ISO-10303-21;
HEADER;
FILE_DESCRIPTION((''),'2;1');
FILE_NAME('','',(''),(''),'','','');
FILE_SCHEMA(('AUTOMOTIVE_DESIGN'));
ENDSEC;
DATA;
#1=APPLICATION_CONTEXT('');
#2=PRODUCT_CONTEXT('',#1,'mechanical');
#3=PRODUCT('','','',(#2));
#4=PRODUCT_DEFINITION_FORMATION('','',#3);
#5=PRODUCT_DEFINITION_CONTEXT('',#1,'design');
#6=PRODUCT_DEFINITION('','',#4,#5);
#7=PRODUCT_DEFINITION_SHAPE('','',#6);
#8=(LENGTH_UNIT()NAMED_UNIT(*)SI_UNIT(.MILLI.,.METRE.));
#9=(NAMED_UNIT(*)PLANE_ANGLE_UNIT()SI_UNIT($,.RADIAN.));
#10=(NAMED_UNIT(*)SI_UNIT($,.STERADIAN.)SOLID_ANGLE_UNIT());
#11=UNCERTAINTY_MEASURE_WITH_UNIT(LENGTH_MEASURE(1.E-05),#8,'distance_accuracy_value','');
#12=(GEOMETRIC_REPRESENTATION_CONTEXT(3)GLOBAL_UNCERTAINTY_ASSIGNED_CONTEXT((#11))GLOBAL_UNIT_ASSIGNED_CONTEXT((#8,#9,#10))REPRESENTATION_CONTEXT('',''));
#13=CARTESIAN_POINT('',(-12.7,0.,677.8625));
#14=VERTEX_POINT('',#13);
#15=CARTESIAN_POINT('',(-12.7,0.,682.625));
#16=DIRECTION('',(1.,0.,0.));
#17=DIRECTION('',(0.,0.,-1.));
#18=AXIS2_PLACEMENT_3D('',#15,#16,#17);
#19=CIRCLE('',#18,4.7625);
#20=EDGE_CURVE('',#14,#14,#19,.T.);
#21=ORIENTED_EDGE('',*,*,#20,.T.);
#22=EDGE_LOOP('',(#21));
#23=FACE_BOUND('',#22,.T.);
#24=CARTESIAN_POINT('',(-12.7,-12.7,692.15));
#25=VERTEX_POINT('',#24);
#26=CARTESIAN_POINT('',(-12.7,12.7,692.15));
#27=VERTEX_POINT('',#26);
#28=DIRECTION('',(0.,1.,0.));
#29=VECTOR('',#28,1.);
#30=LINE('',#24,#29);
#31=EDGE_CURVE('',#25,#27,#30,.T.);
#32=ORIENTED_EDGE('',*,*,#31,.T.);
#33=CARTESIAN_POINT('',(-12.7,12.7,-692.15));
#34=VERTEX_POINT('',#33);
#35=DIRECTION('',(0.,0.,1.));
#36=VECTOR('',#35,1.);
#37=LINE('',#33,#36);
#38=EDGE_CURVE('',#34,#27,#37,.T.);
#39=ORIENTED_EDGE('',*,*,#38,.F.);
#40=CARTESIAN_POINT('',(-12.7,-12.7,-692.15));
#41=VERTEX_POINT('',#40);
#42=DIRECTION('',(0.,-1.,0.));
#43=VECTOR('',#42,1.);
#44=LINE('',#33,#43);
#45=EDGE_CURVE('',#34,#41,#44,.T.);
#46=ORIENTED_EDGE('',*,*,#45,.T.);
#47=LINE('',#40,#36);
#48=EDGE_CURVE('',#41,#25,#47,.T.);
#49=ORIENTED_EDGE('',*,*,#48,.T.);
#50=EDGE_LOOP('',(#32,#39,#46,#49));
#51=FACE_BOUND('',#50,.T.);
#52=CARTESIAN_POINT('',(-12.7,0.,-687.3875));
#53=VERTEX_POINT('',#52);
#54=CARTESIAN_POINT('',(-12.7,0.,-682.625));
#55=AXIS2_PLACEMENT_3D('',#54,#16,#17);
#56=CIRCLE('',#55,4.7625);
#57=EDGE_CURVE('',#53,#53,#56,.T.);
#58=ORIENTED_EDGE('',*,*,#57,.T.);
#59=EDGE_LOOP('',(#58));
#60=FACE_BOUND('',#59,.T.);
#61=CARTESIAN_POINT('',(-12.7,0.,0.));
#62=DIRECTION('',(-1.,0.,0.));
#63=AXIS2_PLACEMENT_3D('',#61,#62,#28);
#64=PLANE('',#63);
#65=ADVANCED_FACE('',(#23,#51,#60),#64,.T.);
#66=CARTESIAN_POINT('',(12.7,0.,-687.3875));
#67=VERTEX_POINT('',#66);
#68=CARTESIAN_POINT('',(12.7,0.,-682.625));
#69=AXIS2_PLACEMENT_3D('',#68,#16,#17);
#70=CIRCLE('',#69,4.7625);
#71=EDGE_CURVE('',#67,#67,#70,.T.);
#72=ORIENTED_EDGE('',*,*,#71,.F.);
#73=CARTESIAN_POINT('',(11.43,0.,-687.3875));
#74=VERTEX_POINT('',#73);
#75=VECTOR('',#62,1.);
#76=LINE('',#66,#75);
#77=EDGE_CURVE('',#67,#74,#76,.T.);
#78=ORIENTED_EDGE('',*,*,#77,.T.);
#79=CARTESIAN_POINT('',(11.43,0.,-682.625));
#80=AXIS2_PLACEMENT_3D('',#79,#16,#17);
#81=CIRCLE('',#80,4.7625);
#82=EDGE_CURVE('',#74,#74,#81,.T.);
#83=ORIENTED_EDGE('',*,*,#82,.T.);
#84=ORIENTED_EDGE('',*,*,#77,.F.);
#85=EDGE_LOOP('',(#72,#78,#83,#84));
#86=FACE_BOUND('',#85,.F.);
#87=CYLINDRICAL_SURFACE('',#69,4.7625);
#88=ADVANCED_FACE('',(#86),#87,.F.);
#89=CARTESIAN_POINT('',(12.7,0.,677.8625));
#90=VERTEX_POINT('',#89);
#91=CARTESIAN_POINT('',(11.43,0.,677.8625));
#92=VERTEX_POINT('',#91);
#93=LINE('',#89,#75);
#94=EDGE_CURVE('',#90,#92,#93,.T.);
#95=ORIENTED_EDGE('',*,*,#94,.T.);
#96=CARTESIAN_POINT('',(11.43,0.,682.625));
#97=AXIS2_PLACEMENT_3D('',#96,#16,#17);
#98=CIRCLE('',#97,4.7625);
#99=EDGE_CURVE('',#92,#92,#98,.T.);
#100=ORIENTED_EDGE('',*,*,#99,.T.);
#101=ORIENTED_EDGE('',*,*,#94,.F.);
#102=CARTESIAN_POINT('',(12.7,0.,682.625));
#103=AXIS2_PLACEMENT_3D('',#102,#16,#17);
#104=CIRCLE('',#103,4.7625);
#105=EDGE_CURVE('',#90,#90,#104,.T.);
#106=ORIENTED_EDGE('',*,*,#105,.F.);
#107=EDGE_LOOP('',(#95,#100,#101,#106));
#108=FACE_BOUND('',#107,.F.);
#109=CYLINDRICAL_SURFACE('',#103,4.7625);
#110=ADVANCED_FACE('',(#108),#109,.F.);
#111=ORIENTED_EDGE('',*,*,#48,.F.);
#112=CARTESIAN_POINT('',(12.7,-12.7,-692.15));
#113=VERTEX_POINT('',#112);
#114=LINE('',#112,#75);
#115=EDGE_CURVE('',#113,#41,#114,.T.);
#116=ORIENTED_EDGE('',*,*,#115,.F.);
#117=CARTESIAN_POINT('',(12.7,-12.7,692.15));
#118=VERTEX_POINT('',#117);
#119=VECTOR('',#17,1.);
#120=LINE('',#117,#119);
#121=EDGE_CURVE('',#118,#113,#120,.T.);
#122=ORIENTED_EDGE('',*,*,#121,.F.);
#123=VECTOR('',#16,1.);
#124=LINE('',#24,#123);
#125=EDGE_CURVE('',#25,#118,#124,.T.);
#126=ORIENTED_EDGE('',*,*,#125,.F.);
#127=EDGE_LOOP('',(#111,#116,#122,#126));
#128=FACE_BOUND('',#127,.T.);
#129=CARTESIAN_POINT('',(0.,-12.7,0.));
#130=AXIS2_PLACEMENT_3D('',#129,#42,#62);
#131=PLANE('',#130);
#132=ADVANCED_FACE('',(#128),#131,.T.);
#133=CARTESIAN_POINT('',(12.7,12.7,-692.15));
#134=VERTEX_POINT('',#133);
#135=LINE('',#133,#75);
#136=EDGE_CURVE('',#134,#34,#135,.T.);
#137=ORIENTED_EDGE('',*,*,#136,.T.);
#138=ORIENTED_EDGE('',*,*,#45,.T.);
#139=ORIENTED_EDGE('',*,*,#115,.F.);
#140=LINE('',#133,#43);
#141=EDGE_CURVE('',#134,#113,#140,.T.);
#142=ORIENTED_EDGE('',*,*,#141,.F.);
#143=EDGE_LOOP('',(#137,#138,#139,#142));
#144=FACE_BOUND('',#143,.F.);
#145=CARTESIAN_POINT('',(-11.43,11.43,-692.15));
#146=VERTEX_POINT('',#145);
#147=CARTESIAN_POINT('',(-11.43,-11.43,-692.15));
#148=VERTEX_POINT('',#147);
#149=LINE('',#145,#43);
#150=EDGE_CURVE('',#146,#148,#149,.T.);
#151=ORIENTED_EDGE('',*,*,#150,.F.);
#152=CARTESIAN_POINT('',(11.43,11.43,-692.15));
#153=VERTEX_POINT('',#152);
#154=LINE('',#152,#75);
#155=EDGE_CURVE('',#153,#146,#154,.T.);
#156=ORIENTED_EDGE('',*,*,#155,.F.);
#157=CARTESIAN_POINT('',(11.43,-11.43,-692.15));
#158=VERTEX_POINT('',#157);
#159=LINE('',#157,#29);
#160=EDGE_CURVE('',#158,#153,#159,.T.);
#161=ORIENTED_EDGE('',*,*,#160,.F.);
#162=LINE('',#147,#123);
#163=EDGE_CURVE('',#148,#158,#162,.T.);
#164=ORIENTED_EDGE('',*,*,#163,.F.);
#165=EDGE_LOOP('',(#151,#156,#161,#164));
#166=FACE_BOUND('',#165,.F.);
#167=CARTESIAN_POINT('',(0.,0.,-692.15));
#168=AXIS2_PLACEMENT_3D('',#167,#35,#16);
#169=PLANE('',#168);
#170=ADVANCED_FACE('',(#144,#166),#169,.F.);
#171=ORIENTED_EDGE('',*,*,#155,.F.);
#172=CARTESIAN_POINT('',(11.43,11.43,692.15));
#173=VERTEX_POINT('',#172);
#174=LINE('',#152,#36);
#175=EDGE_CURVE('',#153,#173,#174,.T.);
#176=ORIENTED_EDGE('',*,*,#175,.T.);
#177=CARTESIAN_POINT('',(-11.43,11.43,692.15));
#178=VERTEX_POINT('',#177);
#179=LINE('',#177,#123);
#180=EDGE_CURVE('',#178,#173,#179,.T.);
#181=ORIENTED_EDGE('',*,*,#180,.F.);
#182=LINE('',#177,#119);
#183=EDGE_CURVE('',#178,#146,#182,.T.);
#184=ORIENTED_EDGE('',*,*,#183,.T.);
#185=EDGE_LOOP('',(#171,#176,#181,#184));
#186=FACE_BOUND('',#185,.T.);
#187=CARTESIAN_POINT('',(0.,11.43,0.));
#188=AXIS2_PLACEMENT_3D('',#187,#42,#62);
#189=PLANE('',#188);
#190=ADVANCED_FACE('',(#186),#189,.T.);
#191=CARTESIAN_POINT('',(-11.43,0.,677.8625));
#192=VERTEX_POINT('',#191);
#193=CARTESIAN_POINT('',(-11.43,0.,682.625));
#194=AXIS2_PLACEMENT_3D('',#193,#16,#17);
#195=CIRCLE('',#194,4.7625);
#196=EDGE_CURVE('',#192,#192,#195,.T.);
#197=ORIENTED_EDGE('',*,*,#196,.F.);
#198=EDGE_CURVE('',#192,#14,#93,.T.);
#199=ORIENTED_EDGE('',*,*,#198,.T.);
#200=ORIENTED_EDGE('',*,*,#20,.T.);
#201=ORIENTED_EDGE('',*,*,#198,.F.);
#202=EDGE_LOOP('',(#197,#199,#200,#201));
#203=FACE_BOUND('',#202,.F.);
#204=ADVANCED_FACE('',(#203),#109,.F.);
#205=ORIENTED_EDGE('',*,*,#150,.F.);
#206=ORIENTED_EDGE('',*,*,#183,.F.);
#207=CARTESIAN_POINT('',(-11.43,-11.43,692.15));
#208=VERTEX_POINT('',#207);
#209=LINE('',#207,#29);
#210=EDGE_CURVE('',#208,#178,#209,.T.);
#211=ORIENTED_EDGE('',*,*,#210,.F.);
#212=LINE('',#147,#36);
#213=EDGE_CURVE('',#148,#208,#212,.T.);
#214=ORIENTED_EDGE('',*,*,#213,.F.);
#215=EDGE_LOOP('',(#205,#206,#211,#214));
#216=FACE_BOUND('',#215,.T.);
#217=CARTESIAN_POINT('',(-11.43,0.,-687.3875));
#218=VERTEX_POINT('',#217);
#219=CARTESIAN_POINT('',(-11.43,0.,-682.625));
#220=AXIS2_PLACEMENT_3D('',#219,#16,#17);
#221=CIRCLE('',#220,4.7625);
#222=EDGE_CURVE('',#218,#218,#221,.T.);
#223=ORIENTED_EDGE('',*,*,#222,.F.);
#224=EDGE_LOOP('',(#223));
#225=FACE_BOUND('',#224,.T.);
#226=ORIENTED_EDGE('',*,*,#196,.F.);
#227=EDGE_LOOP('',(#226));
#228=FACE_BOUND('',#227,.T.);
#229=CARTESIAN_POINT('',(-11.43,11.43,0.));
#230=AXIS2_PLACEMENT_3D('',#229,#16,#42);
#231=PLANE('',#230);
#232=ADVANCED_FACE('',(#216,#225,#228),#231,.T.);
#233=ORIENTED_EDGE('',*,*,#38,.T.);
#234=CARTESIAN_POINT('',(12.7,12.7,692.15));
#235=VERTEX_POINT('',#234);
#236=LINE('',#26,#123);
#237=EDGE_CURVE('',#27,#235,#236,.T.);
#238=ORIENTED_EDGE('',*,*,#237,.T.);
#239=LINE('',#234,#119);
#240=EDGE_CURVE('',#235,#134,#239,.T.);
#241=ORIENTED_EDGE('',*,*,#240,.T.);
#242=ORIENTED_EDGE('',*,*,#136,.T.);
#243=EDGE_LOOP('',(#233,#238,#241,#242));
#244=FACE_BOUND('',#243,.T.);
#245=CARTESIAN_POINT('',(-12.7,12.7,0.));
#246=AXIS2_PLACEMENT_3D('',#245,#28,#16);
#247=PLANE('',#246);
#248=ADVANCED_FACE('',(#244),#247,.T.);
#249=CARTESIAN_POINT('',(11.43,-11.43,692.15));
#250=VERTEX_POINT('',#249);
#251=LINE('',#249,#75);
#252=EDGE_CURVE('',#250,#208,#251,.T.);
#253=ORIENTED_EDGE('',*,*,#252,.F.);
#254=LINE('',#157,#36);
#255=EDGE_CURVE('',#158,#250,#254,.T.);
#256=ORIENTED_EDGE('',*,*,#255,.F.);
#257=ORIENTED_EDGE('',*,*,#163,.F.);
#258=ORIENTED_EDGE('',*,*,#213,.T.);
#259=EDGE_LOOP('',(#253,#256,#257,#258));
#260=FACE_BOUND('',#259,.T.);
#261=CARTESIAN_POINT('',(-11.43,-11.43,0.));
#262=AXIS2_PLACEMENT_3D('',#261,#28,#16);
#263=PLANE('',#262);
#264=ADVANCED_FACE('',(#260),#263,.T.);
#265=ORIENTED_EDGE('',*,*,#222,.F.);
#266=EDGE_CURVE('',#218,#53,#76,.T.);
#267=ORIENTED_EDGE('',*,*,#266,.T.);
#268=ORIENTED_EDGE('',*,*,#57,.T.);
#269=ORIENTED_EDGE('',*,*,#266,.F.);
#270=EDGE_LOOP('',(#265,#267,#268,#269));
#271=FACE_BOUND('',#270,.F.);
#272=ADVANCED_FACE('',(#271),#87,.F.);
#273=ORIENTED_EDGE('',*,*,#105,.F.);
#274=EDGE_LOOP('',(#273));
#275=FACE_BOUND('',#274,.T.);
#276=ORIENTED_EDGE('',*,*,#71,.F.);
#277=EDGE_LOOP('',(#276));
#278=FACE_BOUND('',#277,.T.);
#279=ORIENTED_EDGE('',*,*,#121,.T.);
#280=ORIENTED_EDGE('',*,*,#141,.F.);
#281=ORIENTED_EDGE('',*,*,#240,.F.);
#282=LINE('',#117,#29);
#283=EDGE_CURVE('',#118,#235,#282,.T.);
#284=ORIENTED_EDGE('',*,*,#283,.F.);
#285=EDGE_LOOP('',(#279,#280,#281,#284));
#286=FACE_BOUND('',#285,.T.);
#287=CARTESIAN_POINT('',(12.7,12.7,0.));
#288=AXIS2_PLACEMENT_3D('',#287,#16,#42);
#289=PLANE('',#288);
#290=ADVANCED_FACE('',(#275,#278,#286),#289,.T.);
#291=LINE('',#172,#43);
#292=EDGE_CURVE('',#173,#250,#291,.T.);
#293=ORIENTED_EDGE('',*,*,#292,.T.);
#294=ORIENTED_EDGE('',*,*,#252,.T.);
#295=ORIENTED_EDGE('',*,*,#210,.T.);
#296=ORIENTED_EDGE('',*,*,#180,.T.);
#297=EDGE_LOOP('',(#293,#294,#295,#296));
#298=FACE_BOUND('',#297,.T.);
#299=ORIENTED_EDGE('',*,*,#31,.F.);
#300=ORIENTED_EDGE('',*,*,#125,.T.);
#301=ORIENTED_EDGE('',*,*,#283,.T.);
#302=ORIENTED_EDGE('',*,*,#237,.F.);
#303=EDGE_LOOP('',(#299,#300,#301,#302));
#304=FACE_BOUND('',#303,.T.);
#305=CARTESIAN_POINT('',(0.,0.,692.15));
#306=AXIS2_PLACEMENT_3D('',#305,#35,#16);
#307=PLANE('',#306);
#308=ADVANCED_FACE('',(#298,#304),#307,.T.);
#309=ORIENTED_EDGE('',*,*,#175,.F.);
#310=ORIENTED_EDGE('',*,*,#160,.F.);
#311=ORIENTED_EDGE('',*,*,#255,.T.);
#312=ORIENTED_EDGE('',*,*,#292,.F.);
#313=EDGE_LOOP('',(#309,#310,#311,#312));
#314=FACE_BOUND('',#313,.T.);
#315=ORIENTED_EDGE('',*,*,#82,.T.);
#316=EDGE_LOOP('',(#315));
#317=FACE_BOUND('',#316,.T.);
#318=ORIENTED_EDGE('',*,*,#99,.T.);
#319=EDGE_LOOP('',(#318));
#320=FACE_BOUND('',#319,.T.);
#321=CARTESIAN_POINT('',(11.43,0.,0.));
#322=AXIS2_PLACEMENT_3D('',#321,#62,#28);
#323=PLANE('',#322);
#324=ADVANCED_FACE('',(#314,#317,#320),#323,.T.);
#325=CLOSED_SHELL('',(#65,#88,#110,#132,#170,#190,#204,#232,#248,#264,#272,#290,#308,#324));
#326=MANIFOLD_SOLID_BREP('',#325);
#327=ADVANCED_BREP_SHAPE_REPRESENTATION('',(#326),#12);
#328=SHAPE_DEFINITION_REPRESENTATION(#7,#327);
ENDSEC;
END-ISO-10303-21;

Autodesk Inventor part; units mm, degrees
ref_plane "YZ Plane" through (0, 0, 0) normal (1, 0, 0) x (0, 1, 0)
ref_plane "XZ Plane" through (0, 0, 0) normal (0, 1, 0) x (-1, 0, 0)
ref_plane "XY Plane" through (0, 0, 0) normal (0, 0, 1) x (1, 0, 0)
sketch "Sketch1" plane through (0, 0, 0) normal (0, 0, 1) x (1, 0, 0)
  line L0 (-12.7, 12.7) -> (12.7, 12.7)
  line L1 (12.7, 12.7) -> (12.7, -12.7)
  line L2 (12.7, -12.7) -> (-12.7, -12.7)
  line L3 (-12.7, -12.7) -> (-12.7, 12.7)
  line L4 (-17.78, 0) -> (17.78, 0) projected
  line L5 (0, 17.78) -> (0, -17.78) projected
  line L6 (11.43, 11.43) -> (-11.43, 11.43)
  line L7 (-11.43, 11.43) -> (-11.43, -11.43)
  line L8 (-11.43, -11.43) -> (11.43, -11.43)
  line L9 (11.43, -11.43) -> (11.43, 11.43)
  point P0 (0, 0)
  dimension "d0" = 25.4
  dimension "d1" = 1.27
extrude "Extrusion1" add sketch "Sketch1" along normal mid plane 1384.3 contours L0 L5 L6 L7 L4 L3 | L0 L1 L4 L9 L6 L5 | L4 L7 L8 L5 L2 L3 | L1 L2 L5 L8 L9 L4
sketch "Sketch2" plane through (12.7, 12.7, 692.15) normal (1, 0, 0) x (0, 0, -1)
  line L0 (0, 0) -> (1384.3, 0) projected
  line L1 (0, -25.4) -> (0, 0) projected
  line L2 (0, -25.4) -> (1384.3, -25.4) projected
  line L3 (1384.3, 0) -> (1384.3, -25.4) projected
  circle A0 centre (9.525, -12.7) radius 4.7625
  circle A1 centre (1374.775, -12.7) radius 4.7625
  line L4 (692.15, -30.48) -> (692.15, 5.08) projected
  point P0 (692.15, -12.7)
  dimension "d4" = 9.525
  dimension "d5" = 9.525
  dimension "d6" = 12.7
extrude "Extrusion2" cut sketch "Sketch2" against normal up to surface (25.4 mm away) contours A0 | A1
equation "\"d2\" = ArmLength"
equation "\"d7\" = ArmLength"
equation "\"ArmLength\" = 1384.3"
properties part number "Arm" material "Brass, Soft Yellow"
